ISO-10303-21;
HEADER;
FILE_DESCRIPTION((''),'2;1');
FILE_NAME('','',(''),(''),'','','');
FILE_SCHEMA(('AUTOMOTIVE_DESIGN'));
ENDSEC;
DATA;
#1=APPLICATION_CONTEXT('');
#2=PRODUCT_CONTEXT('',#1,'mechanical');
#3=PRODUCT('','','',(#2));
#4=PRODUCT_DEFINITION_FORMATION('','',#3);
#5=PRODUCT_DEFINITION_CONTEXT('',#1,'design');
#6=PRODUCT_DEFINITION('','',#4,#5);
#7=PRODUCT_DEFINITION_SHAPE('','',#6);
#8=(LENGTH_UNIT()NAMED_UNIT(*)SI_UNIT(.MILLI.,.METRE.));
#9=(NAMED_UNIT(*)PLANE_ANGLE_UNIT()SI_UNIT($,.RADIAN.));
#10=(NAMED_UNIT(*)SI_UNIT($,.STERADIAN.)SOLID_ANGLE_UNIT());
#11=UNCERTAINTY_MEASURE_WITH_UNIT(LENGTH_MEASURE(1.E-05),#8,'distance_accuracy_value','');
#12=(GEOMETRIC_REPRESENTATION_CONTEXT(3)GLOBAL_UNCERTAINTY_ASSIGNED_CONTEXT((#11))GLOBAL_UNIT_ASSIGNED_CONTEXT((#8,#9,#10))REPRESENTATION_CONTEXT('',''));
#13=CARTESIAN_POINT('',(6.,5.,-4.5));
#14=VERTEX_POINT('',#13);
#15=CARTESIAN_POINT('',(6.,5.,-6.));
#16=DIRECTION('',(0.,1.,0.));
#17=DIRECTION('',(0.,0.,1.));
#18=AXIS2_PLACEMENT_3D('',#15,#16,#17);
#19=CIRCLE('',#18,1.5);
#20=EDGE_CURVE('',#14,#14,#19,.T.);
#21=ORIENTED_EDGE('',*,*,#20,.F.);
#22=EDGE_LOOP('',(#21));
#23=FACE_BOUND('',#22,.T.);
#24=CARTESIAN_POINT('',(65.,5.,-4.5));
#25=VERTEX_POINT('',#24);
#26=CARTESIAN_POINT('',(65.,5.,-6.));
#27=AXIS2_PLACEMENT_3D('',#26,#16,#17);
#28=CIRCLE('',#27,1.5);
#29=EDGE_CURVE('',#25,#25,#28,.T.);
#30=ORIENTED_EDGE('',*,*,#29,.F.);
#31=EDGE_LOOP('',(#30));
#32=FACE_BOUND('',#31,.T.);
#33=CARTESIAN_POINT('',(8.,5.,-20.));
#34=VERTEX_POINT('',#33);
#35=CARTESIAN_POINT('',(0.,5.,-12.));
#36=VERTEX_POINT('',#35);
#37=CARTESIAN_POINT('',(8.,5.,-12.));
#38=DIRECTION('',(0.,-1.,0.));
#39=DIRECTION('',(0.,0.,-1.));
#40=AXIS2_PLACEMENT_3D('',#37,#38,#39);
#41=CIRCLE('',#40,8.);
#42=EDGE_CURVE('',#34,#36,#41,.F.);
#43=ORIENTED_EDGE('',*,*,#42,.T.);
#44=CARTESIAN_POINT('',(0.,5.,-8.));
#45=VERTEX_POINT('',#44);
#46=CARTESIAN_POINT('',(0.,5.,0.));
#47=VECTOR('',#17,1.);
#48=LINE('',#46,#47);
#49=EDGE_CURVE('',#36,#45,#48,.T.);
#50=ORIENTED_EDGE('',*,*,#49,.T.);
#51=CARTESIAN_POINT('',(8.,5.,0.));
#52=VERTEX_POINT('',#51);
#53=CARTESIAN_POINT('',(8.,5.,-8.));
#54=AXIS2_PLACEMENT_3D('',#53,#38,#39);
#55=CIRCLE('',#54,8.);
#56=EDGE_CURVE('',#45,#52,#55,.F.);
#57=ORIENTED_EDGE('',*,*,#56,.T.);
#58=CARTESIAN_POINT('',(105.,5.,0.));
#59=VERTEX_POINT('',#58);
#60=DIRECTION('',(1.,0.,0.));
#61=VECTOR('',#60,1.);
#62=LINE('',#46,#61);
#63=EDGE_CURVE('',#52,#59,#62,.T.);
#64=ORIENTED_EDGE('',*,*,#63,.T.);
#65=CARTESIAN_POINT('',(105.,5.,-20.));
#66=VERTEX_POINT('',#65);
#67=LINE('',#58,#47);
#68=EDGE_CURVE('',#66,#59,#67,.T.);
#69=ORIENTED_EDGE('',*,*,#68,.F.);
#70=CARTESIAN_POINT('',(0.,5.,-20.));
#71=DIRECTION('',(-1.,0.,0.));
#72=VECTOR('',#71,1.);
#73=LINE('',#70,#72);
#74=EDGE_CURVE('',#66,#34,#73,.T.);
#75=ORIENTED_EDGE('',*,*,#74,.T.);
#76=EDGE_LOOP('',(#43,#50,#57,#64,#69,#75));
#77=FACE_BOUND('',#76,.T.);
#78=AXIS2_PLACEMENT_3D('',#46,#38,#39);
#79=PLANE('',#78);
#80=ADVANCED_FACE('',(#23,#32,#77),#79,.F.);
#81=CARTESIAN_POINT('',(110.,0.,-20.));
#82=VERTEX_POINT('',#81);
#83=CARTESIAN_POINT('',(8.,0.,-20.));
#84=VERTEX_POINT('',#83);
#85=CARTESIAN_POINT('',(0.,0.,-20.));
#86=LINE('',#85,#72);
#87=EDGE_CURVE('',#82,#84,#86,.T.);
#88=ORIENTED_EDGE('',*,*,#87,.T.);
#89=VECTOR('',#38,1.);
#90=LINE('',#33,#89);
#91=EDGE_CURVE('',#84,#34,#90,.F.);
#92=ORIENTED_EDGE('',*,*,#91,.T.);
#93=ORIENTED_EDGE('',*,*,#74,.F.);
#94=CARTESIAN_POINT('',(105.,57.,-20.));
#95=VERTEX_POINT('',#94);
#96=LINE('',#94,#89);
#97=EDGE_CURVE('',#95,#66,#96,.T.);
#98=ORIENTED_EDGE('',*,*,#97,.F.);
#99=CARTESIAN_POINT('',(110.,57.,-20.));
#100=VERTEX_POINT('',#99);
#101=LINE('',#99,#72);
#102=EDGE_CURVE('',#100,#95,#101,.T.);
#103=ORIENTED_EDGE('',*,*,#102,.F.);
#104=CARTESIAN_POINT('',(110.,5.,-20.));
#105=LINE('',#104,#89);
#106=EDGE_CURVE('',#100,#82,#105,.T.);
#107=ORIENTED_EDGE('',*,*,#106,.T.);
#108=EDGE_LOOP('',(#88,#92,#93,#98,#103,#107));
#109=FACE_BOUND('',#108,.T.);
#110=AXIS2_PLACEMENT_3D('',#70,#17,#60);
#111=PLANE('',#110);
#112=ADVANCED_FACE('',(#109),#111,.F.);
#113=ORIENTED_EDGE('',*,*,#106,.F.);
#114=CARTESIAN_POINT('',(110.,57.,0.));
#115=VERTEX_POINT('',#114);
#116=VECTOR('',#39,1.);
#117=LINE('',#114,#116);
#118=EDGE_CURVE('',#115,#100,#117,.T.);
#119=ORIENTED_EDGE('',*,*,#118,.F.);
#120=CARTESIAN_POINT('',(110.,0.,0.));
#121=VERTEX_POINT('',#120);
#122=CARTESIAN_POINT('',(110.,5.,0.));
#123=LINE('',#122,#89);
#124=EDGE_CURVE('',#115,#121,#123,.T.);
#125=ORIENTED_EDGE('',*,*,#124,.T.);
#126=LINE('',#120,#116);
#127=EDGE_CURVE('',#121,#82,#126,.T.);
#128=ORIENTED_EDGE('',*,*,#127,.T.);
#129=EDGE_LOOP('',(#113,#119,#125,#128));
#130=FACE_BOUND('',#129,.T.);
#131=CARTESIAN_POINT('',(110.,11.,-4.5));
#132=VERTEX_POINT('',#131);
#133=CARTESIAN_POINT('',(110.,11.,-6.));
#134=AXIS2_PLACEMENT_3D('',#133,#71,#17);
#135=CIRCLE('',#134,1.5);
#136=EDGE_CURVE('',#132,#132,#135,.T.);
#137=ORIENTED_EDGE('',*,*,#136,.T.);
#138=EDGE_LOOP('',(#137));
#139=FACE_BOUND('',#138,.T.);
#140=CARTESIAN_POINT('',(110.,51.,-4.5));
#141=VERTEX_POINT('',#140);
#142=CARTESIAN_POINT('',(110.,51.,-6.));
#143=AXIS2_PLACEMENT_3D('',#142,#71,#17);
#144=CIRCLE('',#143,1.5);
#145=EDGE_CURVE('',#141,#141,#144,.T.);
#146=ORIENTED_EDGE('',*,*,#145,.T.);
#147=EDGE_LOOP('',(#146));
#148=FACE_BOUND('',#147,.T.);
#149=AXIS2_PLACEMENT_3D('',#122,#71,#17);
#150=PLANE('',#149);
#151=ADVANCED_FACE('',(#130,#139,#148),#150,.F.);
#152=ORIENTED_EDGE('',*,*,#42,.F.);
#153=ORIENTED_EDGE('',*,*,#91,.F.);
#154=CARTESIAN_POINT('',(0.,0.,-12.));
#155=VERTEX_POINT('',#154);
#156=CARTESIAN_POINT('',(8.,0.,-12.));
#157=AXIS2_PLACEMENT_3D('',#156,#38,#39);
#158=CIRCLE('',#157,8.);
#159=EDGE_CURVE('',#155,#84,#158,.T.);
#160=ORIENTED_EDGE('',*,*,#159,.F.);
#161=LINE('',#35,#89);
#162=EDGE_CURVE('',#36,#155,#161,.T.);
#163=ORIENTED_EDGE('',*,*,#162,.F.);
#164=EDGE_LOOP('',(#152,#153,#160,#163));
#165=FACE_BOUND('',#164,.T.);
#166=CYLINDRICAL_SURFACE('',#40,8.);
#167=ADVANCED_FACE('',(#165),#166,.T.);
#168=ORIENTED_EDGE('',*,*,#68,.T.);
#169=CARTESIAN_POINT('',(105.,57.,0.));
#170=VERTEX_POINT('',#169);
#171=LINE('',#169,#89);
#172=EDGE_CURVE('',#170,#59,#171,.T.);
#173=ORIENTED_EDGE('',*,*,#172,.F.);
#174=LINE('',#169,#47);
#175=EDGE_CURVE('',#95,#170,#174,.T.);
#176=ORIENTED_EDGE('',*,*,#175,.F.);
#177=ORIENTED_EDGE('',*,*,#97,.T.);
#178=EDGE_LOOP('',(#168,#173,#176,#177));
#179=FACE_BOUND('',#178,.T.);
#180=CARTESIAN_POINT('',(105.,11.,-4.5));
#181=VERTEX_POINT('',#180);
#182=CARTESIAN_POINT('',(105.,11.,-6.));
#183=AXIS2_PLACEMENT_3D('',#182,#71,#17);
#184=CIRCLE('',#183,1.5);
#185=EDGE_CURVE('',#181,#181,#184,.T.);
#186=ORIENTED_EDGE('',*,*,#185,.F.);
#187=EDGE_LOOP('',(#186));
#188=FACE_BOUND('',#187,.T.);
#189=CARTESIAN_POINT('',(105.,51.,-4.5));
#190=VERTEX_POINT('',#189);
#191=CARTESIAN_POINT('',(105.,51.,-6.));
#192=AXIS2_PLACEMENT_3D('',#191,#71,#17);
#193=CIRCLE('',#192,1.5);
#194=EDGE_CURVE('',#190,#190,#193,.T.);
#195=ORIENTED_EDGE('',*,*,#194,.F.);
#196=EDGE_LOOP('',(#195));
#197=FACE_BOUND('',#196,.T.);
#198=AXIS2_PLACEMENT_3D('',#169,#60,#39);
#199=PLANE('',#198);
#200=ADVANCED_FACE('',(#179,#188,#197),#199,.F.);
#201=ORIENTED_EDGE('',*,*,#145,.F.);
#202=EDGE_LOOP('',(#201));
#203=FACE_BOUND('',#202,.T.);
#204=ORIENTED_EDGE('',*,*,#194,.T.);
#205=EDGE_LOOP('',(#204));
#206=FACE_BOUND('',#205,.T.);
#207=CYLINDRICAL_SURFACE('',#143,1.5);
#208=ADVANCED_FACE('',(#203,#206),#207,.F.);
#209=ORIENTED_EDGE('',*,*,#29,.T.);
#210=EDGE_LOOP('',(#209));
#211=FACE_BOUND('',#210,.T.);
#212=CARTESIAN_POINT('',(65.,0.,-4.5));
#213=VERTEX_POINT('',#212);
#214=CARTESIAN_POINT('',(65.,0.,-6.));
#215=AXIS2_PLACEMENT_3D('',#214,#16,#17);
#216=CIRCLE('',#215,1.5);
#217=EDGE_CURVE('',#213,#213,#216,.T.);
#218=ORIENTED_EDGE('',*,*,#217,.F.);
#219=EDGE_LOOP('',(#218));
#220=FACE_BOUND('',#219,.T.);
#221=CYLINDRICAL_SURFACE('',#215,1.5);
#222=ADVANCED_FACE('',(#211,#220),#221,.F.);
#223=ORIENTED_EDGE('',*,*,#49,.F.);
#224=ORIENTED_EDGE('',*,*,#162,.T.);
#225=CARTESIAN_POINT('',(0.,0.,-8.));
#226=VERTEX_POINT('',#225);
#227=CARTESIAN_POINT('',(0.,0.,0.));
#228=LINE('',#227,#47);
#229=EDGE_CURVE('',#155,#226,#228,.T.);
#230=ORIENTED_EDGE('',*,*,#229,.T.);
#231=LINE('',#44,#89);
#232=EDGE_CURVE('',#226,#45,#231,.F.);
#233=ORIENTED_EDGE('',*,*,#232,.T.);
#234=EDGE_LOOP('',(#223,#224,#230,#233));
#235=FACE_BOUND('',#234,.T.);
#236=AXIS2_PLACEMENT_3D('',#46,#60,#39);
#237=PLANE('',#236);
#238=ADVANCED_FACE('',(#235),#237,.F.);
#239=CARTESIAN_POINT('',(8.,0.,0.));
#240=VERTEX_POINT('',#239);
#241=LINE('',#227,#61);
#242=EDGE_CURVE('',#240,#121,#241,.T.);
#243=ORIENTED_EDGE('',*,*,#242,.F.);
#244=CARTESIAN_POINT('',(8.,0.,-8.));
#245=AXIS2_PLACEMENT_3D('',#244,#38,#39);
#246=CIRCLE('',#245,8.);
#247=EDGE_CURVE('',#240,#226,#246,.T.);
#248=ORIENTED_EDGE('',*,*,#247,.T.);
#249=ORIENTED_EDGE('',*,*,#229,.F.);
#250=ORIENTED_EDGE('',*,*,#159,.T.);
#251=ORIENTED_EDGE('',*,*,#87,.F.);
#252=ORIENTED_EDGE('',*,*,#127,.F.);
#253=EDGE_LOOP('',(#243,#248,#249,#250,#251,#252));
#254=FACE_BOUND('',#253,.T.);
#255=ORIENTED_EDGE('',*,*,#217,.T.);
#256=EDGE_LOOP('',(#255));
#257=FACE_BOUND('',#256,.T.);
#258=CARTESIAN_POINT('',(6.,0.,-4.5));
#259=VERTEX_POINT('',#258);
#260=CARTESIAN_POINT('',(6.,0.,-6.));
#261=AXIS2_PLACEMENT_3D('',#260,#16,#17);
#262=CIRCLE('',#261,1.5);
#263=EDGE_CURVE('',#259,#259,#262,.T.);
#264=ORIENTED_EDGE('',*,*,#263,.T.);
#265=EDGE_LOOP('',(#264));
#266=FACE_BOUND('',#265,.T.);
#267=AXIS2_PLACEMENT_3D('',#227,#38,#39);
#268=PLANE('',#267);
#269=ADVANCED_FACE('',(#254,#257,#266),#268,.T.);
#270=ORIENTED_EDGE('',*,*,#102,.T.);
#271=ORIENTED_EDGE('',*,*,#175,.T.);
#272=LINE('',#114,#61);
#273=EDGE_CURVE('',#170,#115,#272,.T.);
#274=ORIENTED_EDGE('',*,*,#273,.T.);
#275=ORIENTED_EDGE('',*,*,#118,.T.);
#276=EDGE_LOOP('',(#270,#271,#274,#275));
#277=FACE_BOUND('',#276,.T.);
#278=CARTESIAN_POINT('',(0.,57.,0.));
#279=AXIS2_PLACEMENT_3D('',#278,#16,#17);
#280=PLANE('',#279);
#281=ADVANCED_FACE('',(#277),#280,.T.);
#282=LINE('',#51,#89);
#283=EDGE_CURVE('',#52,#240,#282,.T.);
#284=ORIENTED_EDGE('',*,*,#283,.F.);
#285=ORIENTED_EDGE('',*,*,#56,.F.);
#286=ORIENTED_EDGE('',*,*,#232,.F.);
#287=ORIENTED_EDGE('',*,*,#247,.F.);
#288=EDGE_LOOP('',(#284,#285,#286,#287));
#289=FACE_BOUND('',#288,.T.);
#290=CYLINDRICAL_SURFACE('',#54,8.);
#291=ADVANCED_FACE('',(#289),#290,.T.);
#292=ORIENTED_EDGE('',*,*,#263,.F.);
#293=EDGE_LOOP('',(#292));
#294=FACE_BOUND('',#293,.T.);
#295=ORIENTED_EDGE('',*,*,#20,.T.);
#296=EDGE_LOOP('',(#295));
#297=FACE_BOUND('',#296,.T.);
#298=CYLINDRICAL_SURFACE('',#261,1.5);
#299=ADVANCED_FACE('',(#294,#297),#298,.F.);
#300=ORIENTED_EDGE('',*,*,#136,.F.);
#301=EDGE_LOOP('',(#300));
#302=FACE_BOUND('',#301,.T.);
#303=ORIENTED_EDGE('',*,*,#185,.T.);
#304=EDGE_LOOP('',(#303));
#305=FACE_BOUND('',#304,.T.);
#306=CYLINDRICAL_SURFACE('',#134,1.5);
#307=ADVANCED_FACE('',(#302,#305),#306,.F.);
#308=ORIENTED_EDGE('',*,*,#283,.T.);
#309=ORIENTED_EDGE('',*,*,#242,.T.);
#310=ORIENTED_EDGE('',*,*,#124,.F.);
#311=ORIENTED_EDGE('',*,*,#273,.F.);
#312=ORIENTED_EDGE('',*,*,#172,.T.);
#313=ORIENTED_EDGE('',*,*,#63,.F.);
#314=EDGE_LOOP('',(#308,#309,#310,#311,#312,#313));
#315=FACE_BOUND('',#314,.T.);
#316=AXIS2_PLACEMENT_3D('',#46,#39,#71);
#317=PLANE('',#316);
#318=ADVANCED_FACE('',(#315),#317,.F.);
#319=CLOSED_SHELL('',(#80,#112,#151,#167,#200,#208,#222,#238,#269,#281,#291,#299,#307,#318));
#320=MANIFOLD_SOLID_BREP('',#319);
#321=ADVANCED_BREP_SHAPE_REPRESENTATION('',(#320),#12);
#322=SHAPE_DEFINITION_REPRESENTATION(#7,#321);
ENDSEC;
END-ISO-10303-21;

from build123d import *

# Parameters (mm, degrees)
SKETCH1_W           = 110
SKETCH1_H           = 20
BOSS_EXTRUDE1_DEPTH = 5
SKETCH2_W           = 5
SKETCH2_H           = 20
BOSS_EXTRUDE2_DEPTH = 52
SKETCH3_R           = 1.5
CUT_EXTRUDE1_DEPTH  = 6
FILLET1_R           = 8
SKETCH4_R           = 1.5
CUT_EXTRUDE2_DEPTH  = 6


with BuildPart() as part:
    # Sketch1 → Boss-Extrude1 (new body)
    with BuildSketch(Plane(origin=(0, 0, 0), x_dir=(1, 0, 0), z_dir=(0, 1, 0))):
        with Locations((55, 10)):
            Rectangle(SKETCH1_W, SKETCH1_H)
    extrude(amount=BOSS_EXTRUDE1_DEPTH)

    # Sketch2 → Boss-Extrude2 (add)
    with BuildSketch(Plane(origin=(0, 5, 0), x_dir=(1, 0, 0), z_dir=(0, 1, 0))):
        with Locations((107.5, 10)):
            Rectangle(SKETCH2_W, SKETCH2_H)
    extrude(amount=BOSS_EXTRUDE2_DEPTH)

    # Sketch3 → Cut-Extrude1 (cut, through all)
    with BuildSketch(Plane(origin=(0, 5, 0), x_dir=(1, 0, 0), z_dir=(0, 1, 0))):
        with Locations((6, 6)):
            Circle(SKETCH3_R)
        with Locations((65, 6)):
            Circle(SKETCH3_R)
    extrude(amount=-CUT_EXTRUDE1_DEPTH, mode=Mode.SUBTRACT)

    # Fillet1
    fillet1_edges = [part.edges().sort_by_distance(p)[0] for p in [
        (0, 2.5, 0),
        (0, 2.5, -20),
    ]]
    fillet(fillet1_edges, radius=FILLET1_R)

    # Sketch4 → Cut-Extrude2 (cut, through all)
    with BuildSketch(Plane.ZY.offset(-105)):
        with Locations((-6, 11)):
            Circle(SKETCH4_R)
        with Locations((-6, 51)):
            Circle(SKETCH4_R)
    extrude(amount=-CUT_EXTRUDE2_DEPTH, mode=Mode.SUBTRACT)


solid = part.part
